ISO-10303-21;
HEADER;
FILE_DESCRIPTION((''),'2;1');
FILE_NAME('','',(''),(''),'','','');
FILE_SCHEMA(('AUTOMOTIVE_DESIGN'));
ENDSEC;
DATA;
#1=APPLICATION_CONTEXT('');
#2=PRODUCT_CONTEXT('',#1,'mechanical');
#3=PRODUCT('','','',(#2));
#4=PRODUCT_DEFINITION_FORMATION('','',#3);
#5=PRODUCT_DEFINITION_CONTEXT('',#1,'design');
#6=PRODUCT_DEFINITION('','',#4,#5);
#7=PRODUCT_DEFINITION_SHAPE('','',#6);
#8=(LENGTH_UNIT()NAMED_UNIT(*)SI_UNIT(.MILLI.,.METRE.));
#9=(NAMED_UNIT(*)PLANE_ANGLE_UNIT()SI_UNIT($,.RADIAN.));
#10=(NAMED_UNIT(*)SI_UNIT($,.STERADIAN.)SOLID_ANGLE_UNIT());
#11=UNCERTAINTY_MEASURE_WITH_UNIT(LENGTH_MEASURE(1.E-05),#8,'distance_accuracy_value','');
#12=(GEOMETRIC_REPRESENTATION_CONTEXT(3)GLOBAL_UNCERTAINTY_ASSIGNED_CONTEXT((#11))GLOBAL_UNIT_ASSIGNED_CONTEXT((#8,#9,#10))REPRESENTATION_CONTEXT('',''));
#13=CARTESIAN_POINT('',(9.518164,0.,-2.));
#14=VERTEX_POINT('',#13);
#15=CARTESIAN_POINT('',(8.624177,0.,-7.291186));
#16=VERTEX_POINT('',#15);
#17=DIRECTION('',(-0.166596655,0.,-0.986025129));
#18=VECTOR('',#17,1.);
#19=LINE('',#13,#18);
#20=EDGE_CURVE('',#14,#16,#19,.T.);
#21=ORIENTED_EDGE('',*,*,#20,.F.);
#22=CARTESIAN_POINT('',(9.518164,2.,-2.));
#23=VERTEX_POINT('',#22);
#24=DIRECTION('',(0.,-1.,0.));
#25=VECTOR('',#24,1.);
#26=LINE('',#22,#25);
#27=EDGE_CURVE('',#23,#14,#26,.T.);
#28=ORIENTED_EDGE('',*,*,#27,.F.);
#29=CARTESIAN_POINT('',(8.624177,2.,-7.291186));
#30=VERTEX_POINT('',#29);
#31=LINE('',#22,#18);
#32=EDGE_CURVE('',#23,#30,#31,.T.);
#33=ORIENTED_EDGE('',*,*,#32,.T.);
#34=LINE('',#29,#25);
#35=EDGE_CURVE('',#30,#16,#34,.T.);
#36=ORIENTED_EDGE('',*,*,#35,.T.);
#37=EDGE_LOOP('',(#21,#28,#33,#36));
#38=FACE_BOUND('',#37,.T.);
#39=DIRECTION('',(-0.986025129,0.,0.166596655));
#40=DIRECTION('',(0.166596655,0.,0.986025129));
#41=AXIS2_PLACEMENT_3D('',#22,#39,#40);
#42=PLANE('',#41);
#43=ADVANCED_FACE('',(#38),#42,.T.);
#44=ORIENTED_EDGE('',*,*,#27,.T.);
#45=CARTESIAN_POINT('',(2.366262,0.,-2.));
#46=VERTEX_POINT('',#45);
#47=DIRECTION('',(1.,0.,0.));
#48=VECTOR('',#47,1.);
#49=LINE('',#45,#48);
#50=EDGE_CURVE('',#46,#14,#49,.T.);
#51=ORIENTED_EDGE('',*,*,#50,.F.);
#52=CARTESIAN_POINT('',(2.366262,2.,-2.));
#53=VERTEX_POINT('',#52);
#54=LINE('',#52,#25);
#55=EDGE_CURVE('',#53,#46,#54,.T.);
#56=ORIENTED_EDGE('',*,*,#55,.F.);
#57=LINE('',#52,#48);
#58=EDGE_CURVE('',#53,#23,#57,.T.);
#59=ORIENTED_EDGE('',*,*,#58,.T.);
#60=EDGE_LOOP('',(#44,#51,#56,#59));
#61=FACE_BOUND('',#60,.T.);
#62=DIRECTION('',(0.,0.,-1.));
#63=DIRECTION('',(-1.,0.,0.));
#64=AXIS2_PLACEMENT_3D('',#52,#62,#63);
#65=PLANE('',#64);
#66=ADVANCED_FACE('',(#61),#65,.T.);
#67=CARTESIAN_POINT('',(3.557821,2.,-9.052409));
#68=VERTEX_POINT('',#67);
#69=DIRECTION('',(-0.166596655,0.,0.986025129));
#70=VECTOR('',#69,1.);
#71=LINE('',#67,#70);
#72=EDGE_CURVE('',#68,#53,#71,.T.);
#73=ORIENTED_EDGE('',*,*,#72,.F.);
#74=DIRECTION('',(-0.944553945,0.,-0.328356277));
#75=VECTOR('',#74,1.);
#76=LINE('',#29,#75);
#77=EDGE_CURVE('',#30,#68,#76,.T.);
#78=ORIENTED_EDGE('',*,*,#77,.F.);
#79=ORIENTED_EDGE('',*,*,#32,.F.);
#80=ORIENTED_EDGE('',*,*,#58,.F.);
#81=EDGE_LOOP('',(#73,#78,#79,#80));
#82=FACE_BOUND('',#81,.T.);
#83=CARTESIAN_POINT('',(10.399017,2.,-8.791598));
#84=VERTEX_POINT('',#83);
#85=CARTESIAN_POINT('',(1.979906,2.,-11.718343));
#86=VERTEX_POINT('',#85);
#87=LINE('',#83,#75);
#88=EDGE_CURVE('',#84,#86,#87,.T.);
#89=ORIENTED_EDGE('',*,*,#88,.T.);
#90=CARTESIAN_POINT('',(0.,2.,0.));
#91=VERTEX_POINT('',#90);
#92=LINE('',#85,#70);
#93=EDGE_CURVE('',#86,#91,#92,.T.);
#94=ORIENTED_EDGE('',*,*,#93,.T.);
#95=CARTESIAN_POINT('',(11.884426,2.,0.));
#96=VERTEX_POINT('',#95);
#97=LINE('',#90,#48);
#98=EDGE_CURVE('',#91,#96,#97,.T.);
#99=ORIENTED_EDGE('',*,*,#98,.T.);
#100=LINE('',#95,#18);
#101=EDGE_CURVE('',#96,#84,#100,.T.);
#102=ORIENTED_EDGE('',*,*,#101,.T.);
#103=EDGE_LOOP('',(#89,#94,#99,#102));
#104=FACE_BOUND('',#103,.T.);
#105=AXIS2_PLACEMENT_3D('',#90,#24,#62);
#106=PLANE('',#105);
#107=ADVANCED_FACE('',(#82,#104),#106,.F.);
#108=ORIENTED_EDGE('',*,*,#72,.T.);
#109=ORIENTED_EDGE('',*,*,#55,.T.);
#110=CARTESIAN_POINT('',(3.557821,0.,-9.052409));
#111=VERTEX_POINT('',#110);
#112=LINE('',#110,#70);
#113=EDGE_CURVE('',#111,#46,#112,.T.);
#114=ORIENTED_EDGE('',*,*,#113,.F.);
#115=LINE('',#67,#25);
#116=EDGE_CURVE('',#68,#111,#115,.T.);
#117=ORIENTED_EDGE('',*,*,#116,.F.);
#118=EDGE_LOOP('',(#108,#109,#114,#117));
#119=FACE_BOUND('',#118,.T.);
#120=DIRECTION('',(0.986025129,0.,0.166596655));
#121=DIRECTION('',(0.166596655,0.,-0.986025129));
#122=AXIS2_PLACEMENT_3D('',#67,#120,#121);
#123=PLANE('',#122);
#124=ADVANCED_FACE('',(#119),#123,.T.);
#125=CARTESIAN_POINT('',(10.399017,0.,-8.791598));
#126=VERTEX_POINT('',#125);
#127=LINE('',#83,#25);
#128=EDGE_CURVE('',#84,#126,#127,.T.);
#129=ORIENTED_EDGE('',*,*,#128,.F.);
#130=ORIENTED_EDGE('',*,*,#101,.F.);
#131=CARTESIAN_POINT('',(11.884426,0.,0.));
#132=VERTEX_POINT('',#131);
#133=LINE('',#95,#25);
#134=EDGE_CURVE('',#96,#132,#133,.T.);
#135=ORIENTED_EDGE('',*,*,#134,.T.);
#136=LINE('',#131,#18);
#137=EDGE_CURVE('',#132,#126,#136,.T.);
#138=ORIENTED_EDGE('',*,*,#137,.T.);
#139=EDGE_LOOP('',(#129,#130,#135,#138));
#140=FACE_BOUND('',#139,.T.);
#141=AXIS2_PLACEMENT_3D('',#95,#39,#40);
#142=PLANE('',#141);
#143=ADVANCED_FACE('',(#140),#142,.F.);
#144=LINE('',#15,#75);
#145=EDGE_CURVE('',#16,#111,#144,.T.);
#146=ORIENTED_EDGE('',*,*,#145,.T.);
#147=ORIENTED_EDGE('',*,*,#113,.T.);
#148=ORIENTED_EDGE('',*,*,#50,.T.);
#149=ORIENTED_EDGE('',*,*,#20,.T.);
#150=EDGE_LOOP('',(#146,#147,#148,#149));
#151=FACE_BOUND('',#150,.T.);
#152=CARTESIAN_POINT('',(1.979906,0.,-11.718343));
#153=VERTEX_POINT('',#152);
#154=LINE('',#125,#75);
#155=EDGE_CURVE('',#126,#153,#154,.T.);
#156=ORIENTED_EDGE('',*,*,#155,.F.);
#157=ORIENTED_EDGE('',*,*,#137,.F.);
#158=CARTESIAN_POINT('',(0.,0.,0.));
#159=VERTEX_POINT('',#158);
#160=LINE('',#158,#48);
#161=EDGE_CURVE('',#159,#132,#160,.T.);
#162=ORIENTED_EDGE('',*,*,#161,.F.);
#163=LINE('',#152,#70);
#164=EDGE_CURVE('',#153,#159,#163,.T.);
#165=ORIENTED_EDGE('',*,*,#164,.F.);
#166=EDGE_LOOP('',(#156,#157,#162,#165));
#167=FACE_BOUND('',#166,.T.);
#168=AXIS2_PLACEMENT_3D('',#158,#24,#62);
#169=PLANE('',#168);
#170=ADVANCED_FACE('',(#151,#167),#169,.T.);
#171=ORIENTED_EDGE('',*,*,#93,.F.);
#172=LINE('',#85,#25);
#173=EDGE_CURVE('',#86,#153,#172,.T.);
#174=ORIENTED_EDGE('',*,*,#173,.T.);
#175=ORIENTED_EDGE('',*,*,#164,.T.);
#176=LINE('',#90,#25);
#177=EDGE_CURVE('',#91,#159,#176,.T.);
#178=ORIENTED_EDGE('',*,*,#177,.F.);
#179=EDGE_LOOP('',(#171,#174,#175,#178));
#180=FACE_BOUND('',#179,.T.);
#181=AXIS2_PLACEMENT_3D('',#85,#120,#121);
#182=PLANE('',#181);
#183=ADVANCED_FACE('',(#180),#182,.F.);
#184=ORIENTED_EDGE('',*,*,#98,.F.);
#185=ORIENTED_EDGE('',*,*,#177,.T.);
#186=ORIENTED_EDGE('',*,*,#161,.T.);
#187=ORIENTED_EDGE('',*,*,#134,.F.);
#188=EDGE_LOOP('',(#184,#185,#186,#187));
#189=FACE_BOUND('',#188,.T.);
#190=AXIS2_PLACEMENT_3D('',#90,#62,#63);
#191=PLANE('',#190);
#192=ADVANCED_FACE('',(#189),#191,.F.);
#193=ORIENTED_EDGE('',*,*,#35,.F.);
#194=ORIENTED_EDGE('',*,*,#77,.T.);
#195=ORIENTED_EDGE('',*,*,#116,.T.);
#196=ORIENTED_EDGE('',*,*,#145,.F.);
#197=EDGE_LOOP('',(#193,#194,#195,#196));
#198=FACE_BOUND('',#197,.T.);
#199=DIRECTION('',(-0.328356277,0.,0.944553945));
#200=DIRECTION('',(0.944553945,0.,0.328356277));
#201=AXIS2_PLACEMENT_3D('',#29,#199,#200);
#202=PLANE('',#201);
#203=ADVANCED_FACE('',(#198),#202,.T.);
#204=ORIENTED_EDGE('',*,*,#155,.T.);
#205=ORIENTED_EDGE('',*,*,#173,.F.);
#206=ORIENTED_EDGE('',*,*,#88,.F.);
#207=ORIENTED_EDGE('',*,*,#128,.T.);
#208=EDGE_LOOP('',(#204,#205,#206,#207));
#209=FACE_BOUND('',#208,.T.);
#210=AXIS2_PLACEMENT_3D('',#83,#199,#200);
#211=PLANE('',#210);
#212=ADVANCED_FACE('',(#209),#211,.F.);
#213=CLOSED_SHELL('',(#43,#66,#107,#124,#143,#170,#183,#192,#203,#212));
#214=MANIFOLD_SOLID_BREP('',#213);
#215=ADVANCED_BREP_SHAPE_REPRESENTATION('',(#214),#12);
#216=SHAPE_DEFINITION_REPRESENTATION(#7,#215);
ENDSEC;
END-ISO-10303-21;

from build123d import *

# Parameters (mm, degrees)
BOSS_EXTRUDE1_DEPTH = 2


with BuildPart() as part:
    # Sketch1 → Boss-Extrude1 (new body)
    with BuildSketch(Plane(origin=(0, 0, 0), x_dir=(1, 0, 0), z_dir=(0, 1, 0))):
        Polygon((0, 0), (11.884426, 0), (10.399016729, 8.791598271), (1.979905623, 11.718342676), align=None)
        Polygon((3.557821105, 9.052408703), (2.366261511, 2), (9.518164489, 2), (8.624177239, 7.291186018), align=None, mode=Mode.SUBTRACT)
    extrude(amount=BOSS_EXTRUDE1_DEPTH)


solid = part.part
